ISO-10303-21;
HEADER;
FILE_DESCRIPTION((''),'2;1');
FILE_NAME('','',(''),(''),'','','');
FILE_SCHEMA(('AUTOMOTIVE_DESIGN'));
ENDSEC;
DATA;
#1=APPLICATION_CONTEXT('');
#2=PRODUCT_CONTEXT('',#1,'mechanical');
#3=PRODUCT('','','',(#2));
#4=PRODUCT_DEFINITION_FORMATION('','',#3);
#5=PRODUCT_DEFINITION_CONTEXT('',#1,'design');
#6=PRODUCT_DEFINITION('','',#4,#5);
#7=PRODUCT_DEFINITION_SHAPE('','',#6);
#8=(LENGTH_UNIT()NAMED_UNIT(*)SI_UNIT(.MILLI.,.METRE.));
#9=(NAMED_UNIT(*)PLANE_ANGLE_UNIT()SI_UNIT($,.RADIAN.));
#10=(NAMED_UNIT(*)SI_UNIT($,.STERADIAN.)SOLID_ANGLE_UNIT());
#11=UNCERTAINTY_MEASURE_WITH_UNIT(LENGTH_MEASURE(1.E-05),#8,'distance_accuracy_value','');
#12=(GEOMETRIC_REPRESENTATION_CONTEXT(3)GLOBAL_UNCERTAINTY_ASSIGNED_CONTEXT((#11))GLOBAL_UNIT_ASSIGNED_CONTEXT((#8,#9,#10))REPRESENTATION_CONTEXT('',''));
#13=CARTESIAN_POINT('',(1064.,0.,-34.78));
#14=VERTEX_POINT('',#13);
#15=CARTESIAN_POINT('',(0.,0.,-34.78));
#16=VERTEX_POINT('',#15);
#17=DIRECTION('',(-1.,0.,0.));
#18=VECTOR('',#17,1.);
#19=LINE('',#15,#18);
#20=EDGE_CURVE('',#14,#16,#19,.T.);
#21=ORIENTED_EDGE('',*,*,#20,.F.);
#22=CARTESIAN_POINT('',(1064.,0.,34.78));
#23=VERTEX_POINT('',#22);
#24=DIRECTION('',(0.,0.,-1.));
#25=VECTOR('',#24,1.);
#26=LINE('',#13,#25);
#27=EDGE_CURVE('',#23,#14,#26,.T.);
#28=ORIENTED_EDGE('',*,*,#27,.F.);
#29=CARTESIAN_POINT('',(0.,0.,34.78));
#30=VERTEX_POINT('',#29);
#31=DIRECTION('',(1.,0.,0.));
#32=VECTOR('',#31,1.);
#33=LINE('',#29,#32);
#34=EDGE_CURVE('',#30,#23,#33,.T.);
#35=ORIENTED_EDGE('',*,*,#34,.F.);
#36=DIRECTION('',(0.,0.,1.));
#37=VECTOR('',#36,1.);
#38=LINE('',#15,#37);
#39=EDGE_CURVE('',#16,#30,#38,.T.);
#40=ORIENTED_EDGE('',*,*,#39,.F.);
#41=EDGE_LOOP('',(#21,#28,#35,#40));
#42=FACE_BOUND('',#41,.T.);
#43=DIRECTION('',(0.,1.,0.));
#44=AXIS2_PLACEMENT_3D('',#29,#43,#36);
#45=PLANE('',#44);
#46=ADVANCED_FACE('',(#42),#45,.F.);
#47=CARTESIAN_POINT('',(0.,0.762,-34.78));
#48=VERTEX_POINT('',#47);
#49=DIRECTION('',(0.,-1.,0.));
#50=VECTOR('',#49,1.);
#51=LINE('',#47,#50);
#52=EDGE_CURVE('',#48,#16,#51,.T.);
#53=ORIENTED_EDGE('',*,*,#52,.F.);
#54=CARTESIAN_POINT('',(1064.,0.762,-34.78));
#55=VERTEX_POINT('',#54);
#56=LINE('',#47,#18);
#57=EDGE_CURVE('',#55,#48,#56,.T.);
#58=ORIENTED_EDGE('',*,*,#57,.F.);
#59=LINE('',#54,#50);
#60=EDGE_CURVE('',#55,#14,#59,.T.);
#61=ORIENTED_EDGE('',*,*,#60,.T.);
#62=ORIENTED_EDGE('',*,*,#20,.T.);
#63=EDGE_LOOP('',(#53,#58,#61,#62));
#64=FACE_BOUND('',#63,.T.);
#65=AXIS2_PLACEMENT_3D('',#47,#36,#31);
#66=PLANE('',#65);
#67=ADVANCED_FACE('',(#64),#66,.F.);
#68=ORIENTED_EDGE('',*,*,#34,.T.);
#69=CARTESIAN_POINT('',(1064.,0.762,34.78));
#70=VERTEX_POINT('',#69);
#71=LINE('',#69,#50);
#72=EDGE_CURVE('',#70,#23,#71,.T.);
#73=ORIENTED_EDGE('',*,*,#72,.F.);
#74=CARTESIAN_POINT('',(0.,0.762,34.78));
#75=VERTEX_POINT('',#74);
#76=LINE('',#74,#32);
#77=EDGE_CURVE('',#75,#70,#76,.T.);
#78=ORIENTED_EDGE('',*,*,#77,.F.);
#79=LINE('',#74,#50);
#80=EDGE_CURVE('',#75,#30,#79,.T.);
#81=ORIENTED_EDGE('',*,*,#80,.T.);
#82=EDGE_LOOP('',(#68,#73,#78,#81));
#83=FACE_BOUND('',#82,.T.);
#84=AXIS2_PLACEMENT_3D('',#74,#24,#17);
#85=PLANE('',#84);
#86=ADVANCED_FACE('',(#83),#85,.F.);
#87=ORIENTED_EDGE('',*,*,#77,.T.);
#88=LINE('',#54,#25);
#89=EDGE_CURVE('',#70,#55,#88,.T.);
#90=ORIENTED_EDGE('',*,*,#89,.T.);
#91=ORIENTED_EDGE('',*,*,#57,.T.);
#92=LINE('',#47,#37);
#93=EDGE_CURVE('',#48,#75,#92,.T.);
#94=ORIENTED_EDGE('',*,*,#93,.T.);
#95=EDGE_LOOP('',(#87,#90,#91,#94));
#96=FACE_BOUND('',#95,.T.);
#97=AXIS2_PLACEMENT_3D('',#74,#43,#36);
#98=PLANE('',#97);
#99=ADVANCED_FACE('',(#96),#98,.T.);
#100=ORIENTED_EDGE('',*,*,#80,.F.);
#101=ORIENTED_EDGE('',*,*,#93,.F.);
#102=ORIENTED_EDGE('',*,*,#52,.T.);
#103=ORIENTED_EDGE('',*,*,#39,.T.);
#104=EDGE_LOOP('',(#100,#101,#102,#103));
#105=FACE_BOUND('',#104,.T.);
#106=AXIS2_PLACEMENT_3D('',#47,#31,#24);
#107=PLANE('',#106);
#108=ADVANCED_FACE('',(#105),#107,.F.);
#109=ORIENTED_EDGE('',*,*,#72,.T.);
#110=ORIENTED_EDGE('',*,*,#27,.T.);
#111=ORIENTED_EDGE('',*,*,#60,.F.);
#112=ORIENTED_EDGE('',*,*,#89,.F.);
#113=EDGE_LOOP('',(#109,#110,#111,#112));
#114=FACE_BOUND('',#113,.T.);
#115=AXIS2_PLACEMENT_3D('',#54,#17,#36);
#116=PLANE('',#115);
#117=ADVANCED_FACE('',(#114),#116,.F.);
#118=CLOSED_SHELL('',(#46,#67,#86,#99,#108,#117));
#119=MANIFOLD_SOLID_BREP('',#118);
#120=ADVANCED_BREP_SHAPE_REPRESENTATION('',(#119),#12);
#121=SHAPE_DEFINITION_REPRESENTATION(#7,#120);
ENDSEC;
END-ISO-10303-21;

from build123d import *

# Parameters (mm, degrees)
SKETCH1_W      = 1064
SKETCH1_H      = 69.56
EXTRUDE1_DEPTH = 0.762


with BuildPart() as part:
    # Sketch1 → Extrude1 (new body)
    with BuildSketch(Plane(origin=(0, 0, 0), x_dir=(1, 0, 0), z_dir=(0, 1, 0))):
        with Locations((532, 0)):
            Rectangle(SKETCH1_W, SKETCH1_H)
    extrude(amount=EXTRUDE1_DEPTH)


solid = part.part
